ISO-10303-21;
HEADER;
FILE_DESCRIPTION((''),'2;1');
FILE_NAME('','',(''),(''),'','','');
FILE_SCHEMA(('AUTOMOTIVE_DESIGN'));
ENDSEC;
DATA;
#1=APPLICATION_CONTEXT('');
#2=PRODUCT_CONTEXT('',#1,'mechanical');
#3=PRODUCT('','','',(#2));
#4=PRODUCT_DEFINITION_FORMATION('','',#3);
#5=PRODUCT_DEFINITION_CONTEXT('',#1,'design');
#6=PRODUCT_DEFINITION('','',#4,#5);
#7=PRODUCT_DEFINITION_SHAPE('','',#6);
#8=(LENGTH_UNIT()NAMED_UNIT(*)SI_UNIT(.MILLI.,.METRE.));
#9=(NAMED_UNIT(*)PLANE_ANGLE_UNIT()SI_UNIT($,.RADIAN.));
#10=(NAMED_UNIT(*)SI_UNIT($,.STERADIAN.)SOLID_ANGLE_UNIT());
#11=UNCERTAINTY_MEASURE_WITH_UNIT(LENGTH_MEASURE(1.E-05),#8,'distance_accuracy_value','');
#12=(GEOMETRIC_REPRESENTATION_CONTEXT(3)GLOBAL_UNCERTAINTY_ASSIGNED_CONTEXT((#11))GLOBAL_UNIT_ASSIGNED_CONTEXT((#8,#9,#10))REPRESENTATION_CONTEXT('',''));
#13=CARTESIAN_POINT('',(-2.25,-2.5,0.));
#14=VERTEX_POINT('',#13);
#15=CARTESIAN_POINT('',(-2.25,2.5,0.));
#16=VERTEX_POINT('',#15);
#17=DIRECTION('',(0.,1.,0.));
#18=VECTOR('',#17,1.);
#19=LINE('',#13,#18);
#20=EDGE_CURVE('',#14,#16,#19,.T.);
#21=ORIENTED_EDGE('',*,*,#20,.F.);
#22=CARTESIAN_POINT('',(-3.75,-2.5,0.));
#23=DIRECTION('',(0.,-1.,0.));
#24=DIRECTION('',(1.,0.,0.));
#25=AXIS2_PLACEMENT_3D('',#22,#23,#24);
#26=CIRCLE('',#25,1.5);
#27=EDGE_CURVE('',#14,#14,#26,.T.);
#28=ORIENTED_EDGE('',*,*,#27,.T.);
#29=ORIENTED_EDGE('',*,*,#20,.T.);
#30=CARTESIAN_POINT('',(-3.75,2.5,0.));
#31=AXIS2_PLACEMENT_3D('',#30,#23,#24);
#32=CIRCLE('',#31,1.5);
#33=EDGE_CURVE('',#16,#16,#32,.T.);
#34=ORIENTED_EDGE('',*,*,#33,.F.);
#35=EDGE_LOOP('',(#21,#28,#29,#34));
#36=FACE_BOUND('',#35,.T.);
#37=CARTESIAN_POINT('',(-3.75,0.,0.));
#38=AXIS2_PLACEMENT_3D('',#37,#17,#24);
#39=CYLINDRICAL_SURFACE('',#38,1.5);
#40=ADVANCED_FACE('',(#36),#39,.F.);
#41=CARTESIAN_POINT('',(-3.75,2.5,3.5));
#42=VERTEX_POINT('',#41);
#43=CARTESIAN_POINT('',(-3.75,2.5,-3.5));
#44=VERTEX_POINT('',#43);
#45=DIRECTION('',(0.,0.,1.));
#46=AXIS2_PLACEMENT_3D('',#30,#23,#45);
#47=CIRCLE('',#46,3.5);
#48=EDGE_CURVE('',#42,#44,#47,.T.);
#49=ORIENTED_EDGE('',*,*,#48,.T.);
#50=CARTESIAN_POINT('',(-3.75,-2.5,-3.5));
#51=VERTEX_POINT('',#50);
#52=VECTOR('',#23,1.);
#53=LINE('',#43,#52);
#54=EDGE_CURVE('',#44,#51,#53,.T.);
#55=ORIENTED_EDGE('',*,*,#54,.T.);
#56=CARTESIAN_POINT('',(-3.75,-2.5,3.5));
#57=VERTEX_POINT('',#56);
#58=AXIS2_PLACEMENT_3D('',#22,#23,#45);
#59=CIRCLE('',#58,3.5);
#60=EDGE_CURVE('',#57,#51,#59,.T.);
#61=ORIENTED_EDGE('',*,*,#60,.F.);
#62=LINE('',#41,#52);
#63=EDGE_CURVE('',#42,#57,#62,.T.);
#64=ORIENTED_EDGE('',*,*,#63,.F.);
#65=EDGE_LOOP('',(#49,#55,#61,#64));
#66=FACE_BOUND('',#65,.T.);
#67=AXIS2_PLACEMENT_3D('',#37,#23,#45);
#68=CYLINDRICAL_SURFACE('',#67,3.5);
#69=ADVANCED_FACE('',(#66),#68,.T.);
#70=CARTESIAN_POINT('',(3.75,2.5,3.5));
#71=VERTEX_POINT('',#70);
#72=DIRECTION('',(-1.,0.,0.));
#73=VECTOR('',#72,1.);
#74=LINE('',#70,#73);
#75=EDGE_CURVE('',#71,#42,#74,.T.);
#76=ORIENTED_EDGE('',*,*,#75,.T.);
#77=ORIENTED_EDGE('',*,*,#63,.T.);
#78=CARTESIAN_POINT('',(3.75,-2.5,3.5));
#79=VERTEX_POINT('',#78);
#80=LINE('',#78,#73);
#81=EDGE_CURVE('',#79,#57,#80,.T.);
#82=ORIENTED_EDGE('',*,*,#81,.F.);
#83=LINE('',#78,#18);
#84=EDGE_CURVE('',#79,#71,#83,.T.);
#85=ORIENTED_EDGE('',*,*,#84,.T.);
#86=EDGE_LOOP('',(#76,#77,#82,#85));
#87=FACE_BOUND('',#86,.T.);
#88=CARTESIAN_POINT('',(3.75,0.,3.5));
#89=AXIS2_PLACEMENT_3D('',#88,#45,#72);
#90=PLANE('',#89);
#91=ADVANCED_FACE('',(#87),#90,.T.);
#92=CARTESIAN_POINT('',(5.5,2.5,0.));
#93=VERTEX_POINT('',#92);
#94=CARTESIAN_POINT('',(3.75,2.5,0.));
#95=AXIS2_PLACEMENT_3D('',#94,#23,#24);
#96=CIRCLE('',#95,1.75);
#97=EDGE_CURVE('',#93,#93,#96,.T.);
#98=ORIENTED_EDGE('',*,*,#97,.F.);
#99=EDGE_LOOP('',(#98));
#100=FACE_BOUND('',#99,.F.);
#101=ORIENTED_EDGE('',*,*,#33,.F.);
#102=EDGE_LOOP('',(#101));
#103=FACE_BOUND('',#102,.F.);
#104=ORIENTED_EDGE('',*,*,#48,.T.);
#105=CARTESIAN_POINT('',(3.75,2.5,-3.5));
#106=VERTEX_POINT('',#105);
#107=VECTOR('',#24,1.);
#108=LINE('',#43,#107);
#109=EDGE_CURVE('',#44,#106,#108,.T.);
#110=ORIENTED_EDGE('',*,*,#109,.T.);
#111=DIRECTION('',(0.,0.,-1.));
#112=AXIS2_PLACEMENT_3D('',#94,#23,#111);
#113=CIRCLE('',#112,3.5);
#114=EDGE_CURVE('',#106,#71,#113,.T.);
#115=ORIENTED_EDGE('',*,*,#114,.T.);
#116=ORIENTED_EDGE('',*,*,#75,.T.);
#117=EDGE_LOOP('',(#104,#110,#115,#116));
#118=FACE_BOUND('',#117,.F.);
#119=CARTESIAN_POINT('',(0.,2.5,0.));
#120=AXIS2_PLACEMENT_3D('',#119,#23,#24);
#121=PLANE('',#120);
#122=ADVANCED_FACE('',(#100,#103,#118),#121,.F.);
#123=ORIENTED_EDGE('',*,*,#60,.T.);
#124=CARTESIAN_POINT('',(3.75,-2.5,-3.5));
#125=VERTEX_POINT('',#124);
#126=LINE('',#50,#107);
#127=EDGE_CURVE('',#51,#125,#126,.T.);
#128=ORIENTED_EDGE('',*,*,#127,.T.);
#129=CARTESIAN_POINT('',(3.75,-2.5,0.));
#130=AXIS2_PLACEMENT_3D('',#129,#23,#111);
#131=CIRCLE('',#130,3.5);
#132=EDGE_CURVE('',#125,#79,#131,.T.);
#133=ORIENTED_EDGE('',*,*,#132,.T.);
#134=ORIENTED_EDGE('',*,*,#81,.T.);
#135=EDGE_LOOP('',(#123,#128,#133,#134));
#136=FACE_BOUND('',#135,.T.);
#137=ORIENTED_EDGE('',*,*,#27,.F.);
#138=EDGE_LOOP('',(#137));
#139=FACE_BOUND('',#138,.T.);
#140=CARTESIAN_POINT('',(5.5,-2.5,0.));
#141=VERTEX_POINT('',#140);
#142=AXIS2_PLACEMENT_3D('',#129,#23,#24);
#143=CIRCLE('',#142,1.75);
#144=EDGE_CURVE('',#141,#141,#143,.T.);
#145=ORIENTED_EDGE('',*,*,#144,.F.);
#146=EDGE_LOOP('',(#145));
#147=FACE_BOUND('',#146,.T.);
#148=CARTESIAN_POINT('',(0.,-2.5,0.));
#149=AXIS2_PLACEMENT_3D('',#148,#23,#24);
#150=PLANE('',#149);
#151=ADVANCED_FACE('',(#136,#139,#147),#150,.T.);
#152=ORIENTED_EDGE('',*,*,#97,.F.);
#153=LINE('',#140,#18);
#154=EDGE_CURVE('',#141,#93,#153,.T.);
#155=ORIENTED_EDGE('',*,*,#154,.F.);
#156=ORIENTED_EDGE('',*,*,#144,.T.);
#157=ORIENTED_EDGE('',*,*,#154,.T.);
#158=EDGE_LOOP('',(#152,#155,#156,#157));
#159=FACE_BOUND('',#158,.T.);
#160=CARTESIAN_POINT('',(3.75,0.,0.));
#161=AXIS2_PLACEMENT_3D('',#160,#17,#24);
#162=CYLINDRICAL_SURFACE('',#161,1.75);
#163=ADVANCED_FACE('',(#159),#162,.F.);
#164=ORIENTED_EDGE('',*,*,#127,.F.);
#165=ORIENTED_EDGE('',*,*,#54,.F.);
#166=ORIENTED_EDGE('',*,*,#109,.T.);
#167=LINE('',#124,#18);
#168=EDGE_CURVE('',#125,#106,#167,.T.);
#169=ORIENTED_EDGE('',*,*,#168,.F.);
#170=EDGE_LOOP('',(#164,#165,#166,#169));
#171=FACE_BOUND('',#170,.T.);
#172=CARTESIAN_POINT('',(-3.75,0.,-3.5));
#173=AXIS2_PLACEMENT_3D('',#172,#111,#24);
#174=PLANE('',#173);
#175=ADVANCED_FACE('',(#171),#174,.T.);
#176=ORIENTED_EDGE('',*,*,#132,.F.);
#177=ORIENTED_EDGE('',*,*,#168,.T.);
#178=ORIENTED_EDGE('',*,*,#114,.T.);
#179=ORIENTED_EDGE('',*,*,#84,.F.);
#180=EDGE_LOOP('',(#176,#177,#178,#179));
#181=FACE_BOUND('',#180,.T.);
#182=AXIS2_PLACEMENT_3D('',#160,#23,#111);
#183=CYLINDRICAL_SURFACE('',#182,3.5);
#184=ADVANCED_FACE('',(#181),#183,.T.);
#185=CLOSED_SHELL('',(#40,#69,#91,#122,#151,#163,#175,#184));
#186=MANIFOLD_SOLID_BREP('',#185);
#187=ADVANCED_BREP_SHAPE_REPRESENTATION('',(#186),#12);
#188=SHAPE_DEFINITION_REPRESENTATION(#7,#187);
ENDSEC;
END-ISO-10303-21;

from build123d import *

# Parameters (mm, degrees)
F0_R     = 1.5
F0_R_2   = 1.75
F1_DEPTH = 2.5


with BuildPart() as f1:
    # F0 (on Front) → F1 (new body, symmetric)
    with BuildSketch(Plane.XZ):
        with BuildLine():
            Line((3.75, 3.5), (-3.75, 3.5))
            ThreePointArc((-3.75, 3.5), (-7.25, 0), (-3.75, -3.5))
            Line((-3.75, -3.5), (3.75, -3.5))
            ThreePointArc((3.75, -3.5), (7.25, 0), (3.75, 3.5))
        make_face()
        with Locations((-3.75, 0)):
            Circle(F0_R, mode=Mode.SUBTRACT)
        with Locations((3.75, 0)):
            Circle(F0_R_2, mode=Mode.SUBTRACT)
    extrude(amount=F1_DEPTH, both=True)


solid = f1.part
